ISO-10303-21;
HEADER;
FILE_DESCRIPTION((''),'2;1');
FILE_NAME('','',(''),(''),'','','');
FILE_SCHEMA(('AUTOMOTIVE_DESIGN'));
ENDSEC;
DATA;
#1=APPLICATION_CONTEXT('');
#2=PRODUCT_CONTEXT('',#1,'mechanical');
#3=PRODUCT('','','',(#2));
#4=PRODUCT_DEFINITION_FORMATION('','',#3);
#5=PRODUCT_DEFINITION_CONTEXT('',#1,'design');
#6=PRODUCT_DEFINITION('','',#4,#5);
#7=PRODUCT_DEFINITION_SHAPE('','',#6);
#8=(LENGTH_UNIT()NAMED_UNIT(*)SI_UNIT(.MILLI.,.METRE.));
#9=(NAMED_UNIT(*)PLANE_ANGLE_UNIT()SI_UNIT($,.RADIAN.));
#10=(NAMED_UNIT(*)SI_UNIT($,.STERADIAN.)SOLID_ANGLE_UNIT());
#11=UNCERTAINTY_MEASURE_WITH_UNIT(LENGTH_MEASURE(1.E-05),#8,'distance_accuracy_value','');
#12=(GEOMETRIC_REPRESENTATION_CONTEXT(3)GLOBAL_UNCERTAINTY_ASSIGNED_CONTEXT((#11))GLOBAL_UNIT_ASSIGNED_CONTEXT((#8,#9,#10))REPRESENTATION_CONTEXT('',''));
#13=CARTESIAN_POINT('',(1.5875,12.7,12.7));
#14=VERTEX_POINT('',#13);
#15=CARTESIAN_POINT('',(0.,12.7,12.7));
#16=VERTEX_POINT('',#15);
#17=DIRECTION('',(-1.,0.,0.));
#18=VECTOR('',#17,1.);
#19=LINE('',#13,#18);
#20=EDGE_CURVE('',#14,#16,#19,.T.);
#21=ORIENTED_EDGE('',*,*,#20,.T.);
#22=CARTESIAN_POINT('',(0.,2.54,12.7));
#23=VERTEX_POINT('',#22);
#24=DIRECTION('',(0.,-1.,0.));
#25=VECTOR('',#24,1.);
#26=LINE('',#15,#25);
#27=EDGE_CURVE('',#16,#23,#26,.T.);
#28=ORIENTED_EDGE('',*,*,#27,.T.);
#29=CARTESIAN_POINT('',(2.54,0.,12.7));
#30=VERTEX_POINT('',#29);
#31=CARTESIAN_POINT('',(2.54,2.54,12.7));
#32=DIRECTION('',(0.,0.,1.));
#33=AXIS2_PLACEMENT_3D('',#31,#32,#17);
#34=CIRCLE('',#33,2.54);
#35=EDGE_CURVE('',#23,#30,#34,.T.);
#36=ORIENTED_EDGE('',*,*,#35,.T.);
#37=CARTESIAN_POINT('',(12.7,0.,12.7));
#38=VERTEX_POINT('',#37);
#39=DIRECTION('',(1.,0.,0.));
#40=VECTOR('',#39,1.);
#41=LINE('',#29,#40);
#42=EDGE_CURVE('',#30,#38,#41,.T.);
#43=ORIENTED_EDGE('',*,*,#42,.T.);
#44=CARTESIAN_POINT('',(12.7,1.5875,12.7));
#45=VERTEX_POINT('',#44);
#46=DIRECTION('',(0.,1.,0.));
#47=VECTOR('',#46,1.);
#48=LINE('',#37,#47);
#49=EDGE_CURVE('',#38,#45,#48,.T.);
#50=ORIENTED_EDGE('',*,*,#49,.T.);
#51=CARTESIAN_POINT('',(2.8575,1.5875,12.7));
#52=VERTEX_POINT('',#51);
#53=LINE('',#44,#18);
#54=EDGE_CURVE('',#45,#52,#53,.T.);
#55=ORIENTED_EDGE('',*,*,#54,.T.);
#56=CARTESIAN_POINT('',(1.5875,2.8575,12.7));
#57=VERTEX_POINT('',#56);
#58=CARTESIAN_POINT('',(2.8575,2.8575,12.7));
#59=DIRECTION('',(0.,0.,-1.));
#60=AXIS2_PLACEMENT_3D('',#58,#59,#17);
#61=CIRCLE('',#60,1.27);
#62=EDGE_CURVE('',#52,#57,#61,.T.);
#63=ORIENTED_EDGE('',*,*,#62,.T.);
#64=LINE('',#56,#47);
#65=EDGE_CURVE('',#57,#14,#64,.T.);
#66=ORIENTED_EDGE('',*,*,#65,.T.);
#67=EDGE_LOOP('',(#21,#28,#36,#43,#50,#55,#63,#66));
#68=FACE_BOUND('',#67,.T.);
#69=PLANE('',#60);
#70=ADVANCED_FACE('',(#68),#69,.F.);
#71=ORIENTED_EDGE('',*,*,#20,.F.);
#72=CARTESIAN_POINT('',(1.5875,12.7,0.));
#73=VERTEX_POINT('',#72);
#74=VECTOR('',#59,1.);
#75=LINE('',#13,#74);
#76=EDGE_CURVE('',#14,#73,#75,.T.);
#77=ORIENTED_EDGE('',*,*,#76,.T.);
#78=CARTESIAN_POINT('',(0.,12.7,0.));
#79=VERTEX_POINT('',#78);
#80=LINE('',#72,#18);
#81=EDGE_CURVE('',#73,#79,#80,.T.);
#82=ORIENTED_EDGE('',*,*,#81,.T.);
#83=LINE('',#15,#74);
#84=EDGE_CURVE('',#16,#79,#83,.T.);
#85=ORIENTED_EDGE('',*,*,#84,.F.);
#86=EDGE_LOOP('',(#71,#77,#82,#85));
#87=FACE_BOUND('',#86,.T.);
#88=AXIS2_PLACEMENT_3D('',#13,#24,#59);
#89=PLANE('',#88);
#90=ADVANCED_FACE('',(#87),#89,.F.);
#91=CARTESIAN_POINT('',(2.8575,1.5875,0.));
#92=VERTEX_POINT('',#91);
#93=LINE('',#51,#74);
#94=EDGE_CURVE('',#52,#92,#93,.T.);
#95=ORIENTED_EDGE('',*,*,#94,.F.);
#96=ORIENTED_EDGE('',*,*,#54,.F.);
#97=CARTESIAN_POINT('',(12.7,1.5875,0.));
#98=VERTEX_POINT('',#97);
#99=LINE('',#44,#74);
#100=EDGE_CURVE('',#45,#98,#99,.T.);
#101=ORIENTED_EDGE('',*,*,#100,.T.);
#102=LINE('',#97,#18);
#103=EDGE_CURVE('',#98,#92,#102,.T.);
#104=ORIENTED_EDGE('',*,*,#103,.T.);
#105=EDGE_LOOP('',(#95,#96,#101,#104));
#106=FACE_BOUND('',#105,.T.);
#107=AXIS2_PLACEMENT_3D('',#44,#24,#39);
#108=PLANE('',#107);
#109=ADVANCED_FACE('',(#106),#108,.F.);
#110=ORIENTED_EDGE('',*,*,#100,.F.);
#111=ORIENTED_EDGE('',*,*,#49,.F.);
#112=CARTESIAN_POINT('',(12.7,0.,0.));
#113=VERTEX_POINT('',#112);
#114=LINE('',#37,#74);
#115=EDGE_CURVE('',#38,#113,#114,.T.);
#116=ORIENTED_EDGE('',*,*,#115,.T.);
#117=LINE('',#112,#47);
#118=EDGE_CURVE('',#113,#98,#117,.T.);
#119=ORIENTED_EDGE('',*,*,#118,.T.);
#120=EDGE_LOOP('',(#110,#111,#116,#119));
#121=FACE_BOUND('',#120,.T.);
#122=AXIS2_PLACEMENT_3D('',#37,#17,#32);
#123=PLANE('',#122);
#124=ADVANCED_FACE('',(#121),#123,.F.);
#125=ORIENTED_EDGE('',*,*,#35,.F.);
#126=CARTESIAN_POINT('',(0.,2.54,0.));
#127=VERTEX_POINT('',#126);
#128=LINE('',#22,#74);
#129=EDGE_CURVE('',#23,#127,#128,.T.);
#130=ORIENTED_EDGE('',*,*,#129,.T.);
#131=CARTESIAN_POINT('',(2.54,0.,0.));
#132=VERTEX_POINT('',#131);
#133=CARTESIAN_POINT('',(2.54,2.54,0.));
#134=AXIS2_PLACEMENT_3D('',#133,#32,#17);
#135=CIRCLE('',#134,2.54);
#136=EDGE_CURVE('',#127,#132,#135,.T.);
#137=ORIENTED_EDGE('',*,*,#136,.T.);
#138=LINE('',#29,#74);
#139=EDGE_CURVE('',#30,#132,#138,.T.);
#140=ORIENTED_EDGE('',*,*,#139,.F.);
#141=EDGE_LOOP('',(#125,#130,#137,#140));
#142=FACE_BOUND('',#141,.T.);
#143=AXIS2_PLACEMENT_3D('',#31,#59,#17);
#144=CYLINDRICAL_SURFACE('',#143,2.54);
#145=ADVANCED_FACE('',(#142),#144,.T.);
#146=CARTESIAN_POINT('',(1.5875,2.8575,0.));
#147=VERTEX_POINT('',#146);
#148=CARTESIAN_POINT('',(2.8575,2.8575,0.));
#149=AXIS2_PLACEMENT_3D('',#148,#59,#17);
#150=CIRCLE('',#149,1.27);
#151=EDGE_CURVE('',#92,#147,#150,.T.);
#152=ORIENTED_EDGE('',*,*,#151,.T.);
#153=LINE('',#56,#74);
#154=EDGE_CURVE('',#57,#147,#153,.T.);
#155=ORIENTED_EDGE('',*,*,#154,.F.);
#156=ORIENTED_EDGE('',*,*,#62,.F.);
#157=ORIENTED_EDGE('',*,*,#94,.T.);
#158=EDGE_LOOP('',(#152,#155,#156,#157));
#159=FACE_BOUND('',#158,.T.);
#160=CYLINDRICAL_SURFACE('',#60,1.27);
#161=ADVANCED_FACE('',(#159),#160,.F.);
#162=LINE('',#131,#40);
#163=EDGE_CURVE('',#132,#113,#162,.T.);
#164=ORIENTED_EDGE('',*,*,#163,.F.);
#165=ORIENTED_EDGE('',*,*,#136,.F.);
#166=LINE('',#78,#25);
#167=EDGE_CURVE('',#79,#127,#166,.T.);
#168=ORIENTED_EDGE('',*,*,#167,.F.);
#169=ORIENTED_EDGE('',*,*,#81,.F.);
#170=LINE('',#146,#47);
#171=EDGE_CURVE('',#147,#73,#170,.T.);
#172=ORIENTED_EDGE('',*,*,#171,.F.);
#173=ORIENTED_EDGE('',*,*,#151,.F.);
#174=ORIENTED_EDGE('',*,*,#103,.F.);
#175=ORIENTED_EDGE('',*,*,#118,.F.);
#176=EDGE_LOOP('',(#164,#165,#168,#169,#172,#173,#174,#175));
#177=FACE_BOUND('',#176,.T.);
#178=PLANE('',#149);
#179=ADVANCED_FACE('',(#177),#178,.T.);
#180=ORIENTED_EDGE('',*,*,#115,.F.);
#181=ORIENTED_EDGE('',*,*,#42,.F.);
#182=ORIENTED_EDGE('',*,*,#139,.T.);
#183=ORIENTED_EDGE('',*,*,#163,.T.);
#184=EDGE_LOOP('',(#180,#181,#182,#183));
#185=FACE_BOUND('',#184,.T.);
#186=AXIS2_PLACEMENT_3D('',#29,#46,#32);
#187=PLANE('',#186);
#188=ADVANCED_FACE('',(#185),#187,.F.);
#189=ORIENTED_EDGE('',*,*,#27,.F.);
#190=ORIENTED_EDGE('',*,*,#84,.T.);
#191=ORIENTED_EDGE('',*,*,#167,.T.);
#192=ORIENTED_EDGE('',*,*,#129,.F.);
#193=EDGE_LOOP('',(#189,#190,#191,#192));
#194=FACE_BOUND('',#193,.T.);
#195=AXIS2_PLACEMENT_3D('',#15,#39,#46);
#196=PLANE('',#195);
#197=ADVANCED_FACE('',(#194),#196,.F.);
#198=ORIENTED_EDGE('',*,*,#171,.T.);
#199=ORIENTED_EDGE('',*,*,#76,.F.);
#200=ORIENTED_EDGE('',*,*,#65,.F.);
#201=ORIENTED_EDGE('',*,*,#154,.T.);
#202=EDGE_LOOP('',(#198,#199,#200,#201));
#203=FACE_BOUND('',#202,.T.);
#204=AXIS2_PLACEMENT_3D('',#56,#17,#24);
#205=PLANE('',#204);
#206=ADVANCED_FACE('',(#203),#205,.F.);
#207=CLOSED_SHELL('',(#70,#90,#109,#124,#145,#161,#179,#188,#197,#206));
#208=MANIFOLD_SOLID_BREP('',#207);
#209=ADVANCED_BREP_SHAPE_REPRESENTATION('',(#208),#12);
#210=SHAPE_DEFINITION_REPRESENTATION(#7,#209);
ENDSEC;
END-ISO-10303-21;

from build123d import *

# Parameters (mm, degrees)
BOSS_EXTRUDE1_DEPTH = 12.7


with BuildPart() as part:
    # Sketch1 → Boss-Extrude1 (new body)
    with BuildSketch(Plane.XY):
        with BuildLine():
            Line((2.54, 0), (12.7, 0))
            Line((12.7, 0), (12.7, 1.5875))
            Line((12.7, 1.5875), (2.8575, 1.5875))
            ThreePointArc((2.8575, 1.5875), (1.959474388, 1.959474388), (1.5875, 2.8575))
            Line((1.5875, 2.8575), (1.5875, 12.7))
            Line((1.5875, 12.7), (0, 12.7))
            Line((0, 12.7), (0, 2.54))
            ThreePointArc((0, 2.54), (0.743948776, 0.743948776), (2.54, 0))
        make_face()
    extrude(amount=BOSS_EXTRUDE1_DEPTH)


solid = part.part
